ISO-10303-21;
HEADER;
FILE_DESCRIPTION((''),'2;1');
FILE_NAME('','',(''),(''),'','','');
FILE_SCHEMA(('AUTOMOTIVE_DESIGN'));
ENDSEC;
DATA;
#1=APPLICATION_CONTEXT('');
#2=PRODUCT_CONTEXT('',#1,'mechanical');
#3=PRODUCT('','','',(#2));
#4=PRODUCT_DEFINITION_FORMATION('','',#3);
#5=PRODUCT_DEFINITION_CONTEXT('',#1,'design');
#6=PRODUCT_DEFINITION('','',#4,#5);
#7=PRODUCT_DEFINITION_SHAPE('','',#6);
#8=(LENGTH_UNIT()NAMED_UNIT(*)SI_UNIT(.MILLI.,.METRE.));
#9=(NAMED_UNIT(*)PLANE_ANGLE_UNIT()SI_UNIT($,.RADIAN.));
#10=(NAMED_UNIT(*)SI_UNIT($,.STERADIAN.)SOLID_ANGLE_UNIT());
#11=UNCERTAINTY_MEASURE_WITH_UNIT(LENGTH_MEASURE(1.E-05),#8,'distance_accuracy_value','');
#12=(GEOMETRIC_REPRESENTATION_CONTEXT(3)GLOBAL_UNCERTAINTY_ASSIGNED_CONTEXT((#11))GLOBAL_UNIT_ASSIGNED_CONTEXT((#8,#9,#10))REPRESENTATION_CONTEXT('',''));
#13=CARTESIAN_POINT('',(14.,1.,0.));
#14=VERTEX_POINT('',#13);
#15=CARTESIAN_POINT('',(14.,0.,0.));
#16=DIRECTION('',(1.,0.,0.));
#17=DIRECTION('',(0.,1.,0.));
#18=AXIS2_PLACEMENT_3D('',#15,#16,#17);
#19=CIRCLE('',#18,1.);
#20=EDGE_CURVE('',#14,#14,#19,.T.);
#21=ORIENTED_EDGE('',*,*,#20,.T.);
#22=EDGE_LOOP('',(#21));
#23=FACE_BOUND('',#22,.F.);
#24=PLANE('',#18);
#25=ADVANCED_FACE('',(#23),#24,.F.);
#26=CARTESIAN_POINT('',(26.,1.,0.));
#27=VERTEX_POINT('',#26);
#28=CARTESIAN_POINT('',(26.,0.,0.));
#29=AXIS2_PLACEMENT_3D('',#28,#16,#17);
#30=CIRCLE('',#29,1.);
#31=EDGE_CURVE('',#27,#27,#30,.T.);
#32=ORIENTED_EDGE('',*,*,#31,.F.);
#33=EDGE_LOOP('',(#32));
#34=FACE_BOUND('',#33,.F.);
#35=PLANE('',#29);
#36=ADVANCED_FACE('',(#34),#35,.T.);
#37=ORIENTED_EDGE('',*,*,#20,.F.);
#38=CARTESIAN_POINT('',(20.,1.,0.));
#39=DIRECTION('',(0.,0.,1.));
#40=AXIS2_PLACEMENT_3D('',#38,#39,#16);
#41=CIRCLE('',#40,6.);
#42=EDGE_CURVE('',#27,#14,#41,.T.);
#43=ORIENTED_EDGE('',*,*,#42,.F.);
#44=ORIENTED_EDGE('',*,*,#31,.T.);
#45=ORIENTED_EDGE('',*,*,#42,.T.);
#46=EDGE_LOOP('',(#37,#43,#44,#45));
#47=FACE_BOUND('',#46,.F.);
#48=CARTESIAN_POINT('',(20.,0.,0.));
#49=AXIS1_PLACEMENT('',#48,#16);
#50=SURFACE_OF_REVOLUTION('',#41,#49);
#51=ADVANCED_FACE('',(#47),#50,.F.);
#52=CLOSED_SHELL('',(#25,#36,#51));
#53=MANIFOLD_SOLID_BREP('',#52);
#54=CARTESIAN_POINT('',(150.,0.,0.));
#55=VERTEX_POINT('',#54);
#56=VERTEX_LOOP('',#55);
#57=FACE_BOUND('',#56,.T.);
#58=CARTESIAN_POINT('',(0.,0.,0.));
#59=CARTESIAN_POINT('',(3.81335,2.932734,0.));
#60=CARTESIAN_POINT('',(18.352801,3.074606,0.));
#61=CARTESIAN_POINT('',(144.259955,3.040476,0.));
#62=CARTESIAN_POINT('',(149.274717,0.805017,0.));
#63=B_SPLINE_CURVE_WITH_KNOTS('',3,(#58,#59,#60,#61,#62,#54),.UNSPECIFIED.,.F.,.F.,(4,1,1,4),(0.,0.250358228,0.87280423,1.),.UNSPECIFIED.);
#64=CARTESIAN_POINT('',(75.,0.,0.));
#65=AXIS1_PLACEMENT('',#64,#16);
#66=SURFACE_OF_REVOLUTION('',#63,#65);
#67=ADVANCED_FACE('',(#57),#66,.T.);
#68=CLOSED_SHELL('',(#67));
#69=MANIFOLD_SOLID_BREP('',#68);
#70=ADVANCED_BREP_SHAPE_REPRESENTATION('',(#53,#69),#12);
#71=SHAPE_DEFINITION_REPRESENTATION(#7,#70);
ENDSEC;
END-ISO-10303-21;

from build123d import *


with BuildPart() as f1:
    # F0 (on Top) → F1 (revolve)
    with BuildSketch(Plane.XY):
        with BuildLine():
            add(Edge.make_bspline(
                [(0, 0), (3.8133500192, 2.9327336521), (18.3528009334, 3.074606396), (144.2599551824, 3.0404759995), (149.2747172278, 0.8050168153), (150, 0)],
                knots=[0, 0, 0, 0, 0.2503582279, 0.8728042301, 1, 1, 1, 1], degree=3))
            Line((0, 0), (150, 0))
        make_face()
    revolve(axis=Axis((75, 0, 0), (1, 0, 0)))


with BuildPart() as f3:
    # F2 (on Top) → F3 (revolve)
    with BuildSketch(Plane.XY):
        with BuildLine():
            Line((14, 1), (14, 0))
            Line((14, 0), (26, 0))
            Line((26, 0), (26, 1))
            ThreePointArc((26, 1), (20, 7), (14, 1))
        make_face()
    revolve(axis=Axis((20, 0, 0), (1, 0, 0)))


solid = Compound([f1.part, f3.part])
